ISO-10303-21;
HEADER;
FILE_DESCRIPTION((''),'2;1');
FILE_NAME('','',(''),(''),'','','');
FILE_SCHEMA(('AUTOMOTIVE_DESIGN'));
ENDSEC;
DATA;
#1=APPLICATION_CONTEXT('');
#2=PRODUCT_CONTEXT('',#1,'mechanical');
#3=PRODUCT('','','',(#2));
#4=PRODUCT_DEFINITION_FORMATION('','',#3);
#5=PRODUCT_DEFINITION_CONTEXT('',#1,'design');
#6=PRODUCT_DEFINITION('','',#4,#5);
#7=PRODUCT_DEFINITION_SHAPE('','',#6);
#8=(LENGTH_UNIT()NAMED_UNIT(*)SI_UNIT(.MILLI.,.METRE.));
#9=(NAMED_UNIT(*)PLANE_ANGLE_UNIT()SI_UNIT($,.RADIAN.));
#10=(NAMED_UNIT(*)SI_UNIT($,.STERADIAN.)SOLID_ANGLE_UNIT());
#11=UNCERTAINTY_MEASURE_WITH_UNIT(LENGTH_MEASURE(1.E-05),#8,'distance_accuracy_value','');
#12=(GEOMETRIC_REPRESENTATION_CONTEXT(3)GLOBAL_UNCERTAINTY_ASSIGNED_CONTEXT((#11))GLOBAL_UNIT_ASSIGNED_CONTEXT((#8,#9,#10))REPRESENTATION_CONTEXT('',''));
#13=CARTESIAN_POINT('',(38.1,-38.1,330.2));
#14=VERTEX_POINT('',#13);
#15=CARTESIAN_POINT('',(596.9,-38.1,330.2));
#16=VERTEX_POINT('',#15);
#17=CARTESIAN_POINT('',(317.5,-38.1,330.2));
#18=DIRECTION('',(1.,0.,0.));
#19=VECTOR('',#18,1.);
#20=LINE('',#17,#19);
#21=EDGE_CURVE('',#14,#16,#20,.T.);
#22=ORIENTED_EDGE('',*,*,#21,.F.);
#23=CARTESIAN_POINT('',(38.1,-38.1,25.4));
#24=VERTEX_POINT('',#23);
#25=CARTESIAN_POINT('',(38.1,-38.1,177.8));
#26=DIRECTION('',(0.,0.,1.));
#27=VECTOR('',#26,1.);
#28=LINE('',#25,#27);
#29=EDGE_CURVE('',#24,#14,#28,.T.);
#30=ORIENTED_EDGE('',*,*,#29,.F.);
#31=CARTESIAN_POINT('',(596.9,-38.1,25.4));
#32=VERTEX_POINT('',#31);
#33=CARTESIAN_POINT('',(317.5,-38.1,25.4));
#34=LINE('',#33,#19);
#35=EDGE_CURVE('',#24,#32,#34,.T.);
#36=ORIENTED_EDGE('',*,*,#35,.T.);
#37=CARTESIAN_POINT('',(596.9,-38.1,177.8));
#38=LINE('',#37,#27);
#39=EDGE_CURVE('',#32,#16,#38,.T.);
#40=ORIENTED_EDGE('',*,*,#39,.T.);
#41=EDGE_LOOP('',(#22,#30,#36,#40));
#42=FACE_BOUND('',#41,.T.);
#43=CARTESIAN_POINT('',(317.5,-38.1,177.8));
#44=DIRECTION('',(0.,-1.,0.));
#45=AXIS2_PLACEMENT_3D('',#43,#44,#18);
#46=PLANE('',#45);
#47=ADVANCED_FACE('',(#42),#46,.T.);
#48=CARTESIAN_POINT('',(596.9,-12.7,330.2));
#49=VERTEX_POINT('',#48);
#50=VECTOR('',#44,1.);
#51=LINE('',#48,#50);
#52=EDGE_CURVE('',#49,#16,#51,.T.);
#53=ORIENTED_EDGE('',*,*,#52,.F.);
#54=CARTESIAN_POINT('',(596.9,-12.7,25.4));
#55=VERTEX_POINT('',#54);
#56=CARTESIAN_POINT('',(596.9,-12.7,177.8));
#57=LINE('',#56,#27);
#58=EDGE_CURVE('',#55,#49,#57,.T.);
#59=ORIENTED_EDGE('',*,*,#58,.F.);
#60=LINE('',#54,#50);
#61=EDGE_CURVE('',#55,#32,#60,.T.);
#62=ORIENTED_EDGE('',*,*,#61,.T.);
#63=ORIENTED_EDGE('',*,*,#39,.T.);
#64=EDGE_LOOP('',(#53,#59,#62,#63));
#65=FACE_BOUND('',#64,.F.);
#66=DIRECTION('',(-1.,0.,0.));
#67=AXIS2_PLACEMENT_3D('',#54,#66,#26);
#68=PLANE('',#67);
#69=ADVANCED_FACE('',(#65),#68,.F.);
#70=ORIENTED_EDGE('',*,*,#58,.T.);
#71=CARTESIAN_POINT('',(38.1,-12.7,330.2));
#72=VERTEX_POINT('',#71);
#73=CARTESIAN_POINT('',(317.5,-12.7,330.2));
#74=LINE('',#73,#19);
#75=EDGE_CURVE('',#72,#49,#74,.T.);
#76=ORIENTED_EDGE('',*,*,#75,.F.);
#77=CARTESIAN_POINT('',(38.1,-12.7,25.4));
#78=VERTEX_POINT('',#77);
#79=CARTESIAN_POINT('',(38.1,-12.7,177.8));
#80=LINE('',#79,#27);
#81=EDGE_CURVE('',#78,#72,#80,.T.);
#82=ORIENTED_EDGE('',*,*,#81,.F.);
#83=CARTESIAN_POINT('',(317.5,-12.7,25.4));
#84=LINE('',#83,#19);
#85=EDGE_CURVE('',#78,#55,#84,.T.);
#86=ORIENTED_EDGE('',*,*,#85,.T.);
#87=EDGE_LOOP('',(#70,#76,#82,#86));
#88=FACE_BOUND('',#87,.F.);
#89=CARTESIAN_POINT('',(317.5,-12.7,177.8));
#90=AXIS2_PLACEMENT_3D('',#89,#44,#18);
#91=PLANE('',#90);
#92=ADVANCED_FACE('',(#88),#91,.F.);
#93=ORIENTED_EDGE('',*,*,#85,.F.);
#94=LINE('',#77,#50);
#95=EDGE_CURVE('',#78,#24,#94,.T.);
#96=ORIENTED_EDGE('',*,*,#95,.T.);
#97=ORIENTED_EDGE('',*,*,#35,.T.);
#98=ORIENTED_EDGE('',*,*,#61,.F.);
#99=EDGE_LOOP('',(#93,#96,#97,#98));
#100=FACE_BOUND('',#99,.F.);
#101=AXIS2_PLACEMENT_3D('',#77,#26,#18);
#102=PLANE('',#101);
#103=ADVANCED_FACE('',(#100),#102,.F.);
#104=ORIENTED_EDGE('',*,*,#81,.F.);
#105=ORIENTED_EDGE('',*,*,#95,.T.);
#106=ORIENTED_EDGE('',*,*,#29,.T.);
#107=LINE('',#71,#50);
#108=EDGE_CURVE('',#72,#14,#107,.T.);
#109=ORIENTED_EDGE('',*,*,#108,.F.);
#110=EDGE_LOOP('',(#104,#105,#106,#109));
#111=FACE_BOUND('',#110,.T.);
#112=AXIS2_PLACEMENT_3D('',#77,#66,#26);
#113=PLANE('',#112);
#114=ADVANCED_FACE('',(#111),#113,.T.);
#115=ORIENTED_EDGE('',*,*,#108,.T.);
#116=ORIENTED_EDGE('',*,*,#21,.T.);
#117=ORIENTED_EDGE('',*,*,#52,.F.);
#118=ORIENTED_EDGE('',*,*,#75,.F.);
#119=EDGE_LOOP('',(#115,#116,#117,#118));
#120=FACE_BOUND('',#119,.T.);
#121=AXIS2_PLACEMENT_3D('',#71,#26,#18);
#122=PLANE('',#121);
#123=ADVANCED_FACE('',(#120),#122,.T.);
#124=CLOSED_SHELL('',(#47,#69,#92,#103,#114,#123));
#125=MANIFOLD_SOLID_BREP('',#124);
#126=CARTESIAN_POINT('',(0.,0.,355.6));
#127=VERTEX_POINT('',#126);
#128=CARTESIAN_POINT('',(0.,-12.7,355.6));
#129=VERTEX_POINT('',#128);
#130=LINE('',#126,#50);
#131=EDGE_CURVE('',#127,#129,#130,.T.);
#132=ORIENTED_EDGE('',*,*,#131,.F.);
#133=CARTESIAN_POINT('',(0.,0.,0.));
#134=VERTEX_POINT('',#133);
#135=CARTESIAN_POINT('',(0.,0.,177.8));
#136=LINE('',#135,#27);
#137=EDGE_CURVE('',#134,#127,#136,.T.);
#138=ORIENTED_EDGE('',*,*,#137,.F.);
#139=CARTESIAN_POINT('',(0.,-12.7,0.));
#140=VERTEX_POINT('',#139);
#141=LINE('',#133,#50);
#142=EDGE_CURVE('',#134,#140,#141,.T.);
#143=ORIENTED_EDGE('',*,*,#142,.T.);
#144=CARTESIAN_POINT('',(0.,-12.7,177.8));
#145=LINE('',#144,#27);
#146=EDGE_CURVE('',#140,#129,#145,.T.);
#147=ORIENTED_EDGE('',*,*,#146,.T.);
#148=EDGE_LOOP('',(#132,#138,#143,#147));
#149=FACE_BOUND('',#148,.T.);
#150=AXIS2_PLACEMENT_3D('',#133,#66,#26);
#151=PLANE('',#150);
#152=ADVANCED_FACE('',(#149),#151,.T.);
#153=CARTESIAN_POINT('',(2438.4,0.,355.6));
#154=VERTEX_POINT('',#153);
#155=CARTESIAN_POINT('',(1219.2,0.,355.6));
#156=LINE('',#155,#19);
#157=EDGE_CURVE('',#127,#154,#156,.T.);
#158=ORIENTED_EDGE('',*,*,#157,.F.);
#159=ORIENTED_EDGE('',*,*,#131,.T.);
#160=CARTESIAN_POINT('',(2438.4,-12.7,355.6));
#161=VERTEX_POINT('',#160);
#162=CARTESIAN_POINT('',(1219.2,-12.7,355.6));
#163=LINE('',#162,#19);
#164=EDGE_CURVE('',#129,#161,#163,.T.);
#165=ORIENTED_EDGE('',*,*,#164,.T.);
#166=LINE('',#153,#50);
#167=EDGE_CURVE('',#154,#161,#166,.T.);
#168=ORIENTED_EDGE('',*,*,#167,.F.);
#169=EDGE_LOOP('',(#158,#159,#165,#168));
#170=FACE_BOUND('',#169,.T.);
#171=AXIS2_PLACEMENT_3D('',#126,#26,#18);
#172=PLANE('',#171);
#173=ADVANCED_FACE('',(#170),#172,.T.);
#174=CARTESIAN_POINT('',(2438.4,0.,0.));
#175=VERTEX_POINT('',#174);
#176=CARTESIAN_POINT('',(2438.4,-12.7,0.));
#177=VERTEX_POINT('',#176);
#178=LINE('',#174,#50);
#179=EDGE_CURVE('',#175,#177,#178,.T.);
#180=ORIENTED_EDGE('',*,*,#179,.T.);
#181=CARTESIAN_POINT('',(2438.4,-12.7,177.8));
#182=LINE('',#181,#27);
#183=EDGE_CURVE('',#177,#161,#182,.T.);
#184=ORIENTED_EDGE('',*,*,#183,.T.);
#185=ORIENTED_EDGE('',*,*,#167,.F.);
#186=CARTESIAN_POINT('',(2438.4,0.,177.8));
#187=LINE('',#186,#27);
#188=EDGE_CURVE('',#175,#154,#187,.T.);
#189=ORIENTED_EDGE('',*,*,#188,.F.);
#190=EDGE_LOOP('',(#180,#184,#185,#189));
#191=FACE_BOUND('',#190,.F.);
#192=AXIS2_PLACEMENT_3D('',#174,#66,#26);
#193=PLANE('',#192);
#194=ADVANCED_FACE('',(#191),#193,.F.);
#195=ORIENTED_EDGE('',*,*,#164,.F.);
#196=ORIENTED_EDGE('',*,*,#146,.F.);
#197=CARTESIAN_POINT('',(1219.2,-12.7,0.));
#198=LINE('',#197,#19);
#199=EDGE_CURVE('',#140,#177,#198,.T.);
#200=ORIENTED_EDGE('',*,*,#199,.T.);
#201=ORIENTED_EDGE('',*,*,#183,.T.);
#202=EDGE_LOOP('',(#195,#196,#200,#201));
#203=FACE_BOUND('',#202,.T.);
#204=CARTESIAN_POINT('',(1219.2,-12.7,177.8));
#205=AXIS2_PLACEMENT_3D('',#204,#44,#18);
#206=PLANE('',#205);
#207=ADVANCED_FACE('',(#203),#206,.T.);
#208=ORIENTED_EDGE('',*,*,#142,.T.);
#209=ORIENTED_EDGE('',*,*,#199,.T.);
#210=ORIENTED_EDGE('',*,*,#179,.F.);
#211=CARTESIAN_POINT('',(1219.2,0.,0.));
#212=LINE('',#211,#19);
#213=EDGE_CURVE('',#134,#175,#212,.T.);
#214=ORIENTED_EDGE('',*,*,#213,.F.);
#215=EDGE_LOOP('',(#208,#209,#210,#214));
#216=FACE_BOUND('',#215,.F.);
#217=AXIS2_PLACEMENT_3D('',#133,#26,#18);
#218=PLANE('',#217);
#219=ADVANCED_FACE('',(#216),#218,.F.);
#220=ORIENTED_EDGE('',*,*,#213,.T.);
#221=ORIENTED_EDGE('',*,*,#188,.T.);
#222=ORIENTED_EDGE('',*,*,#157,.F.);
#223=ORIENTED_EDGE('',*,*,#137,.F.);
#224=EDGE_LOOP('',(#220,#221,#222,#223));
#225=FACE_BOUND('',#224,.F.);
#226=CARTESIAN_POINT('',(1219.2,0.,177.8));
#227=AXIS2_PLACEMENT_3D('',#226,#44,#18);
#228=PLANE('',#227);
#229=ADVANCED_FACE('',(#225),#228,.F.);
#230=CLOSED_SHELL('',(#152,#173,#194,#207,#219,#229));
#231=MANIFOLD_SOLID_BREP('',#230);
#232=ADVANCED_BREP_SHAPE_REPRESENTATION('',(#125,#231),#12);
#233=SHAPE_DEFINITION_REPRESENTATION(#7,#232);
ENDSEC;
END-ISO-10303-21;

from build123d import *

# Parameters (mm, degrees)
F0_W     = 2438.4
F0_H     = 355.6
F1_DEPTH = 12.7
F2_W     = 558.8
F2_H     = 304.8
F3_DEPTH = 25.4


with BuildPart() as f1:
    # F0 (on Front) → F1 (new body)
    with BuildSketch(Plane.XZ):
        with Locations((1219.2, 177.8)):
            Rectangle(F0_W, F0_H)
    extrude(amount=F1_DEPTH)


with BuildPart() as f3:
    # F2 (on face) → F3 (new body)
    with BuildSketch(Plane.XZ.offset(12.7)):
        with Locations((317.5, 177.8)):
            Rectangle(F2_W, F2_H)
    extrude(amount=F3_DEPTH)


solid = Compound([f1.part, f3.part])
